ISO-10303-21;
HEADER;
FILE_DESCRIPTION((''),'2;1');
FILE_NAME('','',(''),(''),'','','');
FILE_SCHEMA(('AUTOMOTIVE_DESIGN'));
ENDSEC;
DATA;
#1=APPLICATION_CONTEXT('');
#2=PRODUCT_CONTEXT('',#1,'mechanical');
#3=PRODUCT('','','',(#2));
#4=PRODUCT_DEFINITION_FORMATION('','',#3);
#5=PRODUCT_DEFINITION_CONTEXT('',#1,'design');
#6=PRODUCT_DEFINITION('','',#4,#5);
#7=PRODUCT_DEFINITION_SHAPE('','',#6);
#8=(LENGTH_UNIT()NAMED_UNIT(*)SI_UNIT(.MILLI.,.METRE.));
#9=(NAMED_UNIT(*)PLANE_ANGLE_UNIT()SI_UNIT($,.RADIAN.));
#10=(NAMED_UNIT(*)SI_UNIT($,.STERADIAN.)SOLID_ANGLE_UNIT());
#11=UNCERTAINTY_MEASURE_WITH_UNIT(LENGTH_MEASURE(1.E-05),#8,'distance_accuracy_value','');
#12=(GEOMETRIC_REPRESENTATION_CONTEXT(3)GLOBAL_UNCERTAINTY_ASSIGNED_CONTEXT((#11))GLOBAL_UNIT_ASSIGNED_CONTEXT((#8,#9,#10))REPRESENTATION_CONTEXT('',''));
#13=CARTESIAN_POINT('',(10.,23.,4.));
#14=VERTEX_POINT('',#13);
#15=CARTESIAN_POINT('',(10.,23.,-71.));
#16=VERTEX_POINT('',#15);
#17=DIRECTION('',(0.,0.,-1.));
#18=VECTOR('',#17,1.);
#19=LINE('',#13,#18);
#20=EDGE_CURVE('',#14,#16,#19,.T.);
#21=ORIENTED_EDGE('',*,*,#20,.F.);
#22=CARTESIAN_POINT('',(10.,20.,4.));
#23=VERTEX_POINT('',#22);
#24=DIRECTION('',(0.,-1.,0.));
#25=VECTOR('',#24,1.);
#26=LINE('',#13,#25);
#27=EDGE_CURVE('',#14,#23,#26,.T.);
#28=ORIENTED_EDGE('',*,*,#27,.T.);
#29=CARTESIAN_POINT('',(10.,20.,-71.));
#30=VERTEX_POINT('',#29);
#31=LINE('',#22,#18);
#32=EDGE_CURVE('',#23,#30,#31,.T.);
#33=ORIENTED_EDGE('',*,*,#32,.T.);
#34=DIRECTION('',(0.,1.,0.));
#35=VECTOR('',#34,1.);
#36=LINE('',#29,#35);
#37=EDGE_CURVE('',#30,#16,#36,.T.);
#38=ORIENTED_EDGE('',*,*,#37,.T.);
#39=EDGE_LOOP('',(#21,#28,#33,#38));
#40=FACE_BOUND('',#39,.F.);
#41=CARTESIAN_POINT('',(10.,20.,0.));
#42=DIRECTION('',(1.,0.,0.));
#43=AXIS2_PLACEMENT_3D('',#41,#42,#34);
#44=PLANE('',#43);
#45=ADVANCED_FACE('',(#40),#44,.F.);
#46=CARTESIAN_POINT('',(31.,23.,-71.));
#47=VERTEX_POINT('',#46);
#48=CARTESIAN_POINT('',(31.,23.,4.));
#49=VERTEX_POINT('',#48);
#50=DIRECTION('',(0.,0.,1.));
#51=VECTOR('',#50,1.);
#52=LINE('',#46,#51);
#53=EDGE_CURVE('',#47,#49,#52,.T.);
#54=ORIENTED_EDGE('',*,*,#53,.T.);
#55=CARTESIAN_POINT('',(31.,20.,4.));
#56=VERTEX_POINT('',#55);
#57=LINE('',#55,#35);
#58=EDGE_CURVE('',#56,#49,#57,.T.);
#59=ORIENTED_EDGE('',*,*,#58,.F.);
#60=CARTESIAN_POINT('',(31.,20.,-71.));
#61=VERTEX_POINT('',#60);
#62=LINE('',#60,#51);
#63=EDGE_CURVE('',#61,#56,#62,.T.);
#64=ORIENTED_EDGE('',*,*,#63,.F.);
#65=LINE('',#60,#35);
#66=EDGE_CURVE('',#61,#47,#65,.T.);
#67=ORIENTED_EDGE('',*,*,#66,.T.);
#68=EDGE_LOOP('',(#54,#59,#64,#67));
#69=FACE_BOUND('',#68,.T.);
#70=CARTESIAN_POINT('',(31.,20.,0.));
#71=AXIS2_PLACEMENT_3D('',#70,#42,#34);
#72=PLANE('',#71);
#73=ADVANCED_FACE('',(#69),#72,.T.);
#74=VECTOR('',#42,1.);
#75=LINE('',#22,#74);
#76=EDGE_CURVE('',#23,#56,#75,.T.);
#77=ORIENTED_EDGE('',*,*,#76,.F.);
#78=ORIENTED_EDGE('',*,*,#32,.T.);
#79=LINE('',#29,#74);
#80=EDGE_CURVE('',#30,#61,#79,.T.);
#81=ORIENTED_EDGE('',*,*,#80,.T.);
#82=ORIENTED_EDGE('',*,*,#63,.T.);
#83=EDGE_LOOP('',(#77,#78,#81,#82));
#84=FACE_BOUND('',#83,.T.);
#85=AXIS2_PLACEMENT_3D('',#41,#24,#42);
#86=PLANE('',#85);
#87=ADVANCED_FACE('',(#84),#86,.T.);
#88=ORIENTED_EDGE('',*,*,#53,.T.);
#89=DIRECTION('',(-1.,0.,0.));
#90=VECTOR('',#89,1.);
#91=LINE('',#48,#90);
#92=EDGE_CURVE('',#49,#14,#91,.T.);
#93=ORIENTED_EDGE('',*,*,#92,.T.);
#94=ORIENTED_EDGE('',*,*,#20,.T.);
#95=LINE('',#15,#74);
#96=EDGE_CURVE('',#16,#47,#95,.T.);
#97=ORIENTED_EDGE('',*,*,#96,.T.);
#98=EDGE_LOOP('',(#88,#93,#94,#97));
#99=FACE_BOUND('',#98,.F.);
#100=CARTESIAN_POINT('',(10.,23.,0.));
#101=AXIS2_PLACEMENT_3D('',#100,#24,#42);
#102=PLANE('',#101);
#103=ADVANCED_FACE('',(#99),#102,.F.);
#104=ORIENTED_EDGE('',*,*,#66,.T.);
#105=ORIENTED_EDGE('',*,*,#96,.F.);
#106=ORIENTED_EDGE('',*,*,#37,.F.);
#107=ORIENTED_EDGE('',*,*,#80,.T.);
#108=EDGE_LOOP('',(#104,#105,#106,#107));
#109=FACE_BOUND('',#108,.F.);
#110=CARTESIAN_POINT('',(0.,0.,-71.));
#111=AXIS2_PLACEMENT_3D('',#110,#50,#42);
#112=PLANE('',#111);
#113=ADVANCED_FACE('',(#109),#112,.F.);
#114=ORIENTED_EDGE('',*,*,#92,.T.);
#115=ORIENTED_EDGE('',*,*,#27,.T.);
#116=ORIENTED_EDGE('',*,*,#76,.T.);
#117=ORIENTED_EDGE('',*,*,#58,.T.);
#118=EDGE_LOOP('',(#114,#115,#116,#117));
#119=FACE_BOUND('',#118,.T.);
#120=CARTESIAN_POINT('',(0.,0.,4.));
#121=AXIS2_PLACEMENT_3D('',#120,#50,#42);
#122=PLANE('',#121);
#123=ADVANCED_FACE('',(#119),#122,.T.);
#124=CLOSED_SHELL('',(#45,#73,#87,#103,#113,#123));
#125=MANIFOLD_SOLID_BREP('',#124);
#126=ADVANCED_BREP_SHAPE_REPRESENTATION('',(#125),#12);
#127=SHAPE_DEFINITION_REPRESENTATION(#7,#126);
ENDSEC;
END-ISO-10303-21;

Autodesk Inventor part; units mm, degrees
ref_plane "YZ Plane" through (0, 0, 0) normal (1, 0, 0) x (0, 1, 0)
sketch "Sketch1" plane through (0, 0, 0) normal (0, 0, 1) x (1, 0, 0)
  arc A0 (31, 0) -> (31, 20) centre (31, 10) ccw projected
  line L0 (10, 20) -> (31, 20) projected
  arc A1 (10, 20) -> (10, 0) centre (10, 10) ccw projected
  line L1 (31, 0) -> (10, 0) projected
  arc A2 (10, 23) -> (10, -3) centre (10, 10) ccw
  line L2 (10, 23) -> (31, 23)
  arc A3 (31, -3) -> (31, 23) centre (31, 10) ccw
  line L3 (31, -3) -> (10, -3)
  line L4 (31, 20) -> (31, 23)
  line L5 (10, 20) -> (10, 23)
  point P0 (0, 0)
  dimension "d0" = 3
ref_plane "Work Plane1" through (-41.8096, -51.8081, -71) normal (0, 0, -1) x (-0.6474, 0.7621, 0)
extrude "Extrusion1" add sketch "Sketch1" against normal up to surface (71 mm away) contours L0 L5 L2 L4
sketch "Sketch2" plane through (0, 0, 0) normal (0, 0, 1) x (1, 0, 0)
  line L0 (31, 20) -> (31, 23) projected
  line L1 (31, 23) -> (10, 23) projected
  line L2 (10, 23) -> (10, 20) projected
  line L3 (10, 20) -> (31, 20) projected
  point P0 (0, 0)
ref_plane "Work Plane2" through (40.6247, -21.3797, 4) normal (0, 0, 1) x (0.7621, 0.6474, 0)
extrude "Extrusion2" add sketch "Sketch2" along normal up to surface (4 mm away)
properties part number "soprte bateria parte 2"
